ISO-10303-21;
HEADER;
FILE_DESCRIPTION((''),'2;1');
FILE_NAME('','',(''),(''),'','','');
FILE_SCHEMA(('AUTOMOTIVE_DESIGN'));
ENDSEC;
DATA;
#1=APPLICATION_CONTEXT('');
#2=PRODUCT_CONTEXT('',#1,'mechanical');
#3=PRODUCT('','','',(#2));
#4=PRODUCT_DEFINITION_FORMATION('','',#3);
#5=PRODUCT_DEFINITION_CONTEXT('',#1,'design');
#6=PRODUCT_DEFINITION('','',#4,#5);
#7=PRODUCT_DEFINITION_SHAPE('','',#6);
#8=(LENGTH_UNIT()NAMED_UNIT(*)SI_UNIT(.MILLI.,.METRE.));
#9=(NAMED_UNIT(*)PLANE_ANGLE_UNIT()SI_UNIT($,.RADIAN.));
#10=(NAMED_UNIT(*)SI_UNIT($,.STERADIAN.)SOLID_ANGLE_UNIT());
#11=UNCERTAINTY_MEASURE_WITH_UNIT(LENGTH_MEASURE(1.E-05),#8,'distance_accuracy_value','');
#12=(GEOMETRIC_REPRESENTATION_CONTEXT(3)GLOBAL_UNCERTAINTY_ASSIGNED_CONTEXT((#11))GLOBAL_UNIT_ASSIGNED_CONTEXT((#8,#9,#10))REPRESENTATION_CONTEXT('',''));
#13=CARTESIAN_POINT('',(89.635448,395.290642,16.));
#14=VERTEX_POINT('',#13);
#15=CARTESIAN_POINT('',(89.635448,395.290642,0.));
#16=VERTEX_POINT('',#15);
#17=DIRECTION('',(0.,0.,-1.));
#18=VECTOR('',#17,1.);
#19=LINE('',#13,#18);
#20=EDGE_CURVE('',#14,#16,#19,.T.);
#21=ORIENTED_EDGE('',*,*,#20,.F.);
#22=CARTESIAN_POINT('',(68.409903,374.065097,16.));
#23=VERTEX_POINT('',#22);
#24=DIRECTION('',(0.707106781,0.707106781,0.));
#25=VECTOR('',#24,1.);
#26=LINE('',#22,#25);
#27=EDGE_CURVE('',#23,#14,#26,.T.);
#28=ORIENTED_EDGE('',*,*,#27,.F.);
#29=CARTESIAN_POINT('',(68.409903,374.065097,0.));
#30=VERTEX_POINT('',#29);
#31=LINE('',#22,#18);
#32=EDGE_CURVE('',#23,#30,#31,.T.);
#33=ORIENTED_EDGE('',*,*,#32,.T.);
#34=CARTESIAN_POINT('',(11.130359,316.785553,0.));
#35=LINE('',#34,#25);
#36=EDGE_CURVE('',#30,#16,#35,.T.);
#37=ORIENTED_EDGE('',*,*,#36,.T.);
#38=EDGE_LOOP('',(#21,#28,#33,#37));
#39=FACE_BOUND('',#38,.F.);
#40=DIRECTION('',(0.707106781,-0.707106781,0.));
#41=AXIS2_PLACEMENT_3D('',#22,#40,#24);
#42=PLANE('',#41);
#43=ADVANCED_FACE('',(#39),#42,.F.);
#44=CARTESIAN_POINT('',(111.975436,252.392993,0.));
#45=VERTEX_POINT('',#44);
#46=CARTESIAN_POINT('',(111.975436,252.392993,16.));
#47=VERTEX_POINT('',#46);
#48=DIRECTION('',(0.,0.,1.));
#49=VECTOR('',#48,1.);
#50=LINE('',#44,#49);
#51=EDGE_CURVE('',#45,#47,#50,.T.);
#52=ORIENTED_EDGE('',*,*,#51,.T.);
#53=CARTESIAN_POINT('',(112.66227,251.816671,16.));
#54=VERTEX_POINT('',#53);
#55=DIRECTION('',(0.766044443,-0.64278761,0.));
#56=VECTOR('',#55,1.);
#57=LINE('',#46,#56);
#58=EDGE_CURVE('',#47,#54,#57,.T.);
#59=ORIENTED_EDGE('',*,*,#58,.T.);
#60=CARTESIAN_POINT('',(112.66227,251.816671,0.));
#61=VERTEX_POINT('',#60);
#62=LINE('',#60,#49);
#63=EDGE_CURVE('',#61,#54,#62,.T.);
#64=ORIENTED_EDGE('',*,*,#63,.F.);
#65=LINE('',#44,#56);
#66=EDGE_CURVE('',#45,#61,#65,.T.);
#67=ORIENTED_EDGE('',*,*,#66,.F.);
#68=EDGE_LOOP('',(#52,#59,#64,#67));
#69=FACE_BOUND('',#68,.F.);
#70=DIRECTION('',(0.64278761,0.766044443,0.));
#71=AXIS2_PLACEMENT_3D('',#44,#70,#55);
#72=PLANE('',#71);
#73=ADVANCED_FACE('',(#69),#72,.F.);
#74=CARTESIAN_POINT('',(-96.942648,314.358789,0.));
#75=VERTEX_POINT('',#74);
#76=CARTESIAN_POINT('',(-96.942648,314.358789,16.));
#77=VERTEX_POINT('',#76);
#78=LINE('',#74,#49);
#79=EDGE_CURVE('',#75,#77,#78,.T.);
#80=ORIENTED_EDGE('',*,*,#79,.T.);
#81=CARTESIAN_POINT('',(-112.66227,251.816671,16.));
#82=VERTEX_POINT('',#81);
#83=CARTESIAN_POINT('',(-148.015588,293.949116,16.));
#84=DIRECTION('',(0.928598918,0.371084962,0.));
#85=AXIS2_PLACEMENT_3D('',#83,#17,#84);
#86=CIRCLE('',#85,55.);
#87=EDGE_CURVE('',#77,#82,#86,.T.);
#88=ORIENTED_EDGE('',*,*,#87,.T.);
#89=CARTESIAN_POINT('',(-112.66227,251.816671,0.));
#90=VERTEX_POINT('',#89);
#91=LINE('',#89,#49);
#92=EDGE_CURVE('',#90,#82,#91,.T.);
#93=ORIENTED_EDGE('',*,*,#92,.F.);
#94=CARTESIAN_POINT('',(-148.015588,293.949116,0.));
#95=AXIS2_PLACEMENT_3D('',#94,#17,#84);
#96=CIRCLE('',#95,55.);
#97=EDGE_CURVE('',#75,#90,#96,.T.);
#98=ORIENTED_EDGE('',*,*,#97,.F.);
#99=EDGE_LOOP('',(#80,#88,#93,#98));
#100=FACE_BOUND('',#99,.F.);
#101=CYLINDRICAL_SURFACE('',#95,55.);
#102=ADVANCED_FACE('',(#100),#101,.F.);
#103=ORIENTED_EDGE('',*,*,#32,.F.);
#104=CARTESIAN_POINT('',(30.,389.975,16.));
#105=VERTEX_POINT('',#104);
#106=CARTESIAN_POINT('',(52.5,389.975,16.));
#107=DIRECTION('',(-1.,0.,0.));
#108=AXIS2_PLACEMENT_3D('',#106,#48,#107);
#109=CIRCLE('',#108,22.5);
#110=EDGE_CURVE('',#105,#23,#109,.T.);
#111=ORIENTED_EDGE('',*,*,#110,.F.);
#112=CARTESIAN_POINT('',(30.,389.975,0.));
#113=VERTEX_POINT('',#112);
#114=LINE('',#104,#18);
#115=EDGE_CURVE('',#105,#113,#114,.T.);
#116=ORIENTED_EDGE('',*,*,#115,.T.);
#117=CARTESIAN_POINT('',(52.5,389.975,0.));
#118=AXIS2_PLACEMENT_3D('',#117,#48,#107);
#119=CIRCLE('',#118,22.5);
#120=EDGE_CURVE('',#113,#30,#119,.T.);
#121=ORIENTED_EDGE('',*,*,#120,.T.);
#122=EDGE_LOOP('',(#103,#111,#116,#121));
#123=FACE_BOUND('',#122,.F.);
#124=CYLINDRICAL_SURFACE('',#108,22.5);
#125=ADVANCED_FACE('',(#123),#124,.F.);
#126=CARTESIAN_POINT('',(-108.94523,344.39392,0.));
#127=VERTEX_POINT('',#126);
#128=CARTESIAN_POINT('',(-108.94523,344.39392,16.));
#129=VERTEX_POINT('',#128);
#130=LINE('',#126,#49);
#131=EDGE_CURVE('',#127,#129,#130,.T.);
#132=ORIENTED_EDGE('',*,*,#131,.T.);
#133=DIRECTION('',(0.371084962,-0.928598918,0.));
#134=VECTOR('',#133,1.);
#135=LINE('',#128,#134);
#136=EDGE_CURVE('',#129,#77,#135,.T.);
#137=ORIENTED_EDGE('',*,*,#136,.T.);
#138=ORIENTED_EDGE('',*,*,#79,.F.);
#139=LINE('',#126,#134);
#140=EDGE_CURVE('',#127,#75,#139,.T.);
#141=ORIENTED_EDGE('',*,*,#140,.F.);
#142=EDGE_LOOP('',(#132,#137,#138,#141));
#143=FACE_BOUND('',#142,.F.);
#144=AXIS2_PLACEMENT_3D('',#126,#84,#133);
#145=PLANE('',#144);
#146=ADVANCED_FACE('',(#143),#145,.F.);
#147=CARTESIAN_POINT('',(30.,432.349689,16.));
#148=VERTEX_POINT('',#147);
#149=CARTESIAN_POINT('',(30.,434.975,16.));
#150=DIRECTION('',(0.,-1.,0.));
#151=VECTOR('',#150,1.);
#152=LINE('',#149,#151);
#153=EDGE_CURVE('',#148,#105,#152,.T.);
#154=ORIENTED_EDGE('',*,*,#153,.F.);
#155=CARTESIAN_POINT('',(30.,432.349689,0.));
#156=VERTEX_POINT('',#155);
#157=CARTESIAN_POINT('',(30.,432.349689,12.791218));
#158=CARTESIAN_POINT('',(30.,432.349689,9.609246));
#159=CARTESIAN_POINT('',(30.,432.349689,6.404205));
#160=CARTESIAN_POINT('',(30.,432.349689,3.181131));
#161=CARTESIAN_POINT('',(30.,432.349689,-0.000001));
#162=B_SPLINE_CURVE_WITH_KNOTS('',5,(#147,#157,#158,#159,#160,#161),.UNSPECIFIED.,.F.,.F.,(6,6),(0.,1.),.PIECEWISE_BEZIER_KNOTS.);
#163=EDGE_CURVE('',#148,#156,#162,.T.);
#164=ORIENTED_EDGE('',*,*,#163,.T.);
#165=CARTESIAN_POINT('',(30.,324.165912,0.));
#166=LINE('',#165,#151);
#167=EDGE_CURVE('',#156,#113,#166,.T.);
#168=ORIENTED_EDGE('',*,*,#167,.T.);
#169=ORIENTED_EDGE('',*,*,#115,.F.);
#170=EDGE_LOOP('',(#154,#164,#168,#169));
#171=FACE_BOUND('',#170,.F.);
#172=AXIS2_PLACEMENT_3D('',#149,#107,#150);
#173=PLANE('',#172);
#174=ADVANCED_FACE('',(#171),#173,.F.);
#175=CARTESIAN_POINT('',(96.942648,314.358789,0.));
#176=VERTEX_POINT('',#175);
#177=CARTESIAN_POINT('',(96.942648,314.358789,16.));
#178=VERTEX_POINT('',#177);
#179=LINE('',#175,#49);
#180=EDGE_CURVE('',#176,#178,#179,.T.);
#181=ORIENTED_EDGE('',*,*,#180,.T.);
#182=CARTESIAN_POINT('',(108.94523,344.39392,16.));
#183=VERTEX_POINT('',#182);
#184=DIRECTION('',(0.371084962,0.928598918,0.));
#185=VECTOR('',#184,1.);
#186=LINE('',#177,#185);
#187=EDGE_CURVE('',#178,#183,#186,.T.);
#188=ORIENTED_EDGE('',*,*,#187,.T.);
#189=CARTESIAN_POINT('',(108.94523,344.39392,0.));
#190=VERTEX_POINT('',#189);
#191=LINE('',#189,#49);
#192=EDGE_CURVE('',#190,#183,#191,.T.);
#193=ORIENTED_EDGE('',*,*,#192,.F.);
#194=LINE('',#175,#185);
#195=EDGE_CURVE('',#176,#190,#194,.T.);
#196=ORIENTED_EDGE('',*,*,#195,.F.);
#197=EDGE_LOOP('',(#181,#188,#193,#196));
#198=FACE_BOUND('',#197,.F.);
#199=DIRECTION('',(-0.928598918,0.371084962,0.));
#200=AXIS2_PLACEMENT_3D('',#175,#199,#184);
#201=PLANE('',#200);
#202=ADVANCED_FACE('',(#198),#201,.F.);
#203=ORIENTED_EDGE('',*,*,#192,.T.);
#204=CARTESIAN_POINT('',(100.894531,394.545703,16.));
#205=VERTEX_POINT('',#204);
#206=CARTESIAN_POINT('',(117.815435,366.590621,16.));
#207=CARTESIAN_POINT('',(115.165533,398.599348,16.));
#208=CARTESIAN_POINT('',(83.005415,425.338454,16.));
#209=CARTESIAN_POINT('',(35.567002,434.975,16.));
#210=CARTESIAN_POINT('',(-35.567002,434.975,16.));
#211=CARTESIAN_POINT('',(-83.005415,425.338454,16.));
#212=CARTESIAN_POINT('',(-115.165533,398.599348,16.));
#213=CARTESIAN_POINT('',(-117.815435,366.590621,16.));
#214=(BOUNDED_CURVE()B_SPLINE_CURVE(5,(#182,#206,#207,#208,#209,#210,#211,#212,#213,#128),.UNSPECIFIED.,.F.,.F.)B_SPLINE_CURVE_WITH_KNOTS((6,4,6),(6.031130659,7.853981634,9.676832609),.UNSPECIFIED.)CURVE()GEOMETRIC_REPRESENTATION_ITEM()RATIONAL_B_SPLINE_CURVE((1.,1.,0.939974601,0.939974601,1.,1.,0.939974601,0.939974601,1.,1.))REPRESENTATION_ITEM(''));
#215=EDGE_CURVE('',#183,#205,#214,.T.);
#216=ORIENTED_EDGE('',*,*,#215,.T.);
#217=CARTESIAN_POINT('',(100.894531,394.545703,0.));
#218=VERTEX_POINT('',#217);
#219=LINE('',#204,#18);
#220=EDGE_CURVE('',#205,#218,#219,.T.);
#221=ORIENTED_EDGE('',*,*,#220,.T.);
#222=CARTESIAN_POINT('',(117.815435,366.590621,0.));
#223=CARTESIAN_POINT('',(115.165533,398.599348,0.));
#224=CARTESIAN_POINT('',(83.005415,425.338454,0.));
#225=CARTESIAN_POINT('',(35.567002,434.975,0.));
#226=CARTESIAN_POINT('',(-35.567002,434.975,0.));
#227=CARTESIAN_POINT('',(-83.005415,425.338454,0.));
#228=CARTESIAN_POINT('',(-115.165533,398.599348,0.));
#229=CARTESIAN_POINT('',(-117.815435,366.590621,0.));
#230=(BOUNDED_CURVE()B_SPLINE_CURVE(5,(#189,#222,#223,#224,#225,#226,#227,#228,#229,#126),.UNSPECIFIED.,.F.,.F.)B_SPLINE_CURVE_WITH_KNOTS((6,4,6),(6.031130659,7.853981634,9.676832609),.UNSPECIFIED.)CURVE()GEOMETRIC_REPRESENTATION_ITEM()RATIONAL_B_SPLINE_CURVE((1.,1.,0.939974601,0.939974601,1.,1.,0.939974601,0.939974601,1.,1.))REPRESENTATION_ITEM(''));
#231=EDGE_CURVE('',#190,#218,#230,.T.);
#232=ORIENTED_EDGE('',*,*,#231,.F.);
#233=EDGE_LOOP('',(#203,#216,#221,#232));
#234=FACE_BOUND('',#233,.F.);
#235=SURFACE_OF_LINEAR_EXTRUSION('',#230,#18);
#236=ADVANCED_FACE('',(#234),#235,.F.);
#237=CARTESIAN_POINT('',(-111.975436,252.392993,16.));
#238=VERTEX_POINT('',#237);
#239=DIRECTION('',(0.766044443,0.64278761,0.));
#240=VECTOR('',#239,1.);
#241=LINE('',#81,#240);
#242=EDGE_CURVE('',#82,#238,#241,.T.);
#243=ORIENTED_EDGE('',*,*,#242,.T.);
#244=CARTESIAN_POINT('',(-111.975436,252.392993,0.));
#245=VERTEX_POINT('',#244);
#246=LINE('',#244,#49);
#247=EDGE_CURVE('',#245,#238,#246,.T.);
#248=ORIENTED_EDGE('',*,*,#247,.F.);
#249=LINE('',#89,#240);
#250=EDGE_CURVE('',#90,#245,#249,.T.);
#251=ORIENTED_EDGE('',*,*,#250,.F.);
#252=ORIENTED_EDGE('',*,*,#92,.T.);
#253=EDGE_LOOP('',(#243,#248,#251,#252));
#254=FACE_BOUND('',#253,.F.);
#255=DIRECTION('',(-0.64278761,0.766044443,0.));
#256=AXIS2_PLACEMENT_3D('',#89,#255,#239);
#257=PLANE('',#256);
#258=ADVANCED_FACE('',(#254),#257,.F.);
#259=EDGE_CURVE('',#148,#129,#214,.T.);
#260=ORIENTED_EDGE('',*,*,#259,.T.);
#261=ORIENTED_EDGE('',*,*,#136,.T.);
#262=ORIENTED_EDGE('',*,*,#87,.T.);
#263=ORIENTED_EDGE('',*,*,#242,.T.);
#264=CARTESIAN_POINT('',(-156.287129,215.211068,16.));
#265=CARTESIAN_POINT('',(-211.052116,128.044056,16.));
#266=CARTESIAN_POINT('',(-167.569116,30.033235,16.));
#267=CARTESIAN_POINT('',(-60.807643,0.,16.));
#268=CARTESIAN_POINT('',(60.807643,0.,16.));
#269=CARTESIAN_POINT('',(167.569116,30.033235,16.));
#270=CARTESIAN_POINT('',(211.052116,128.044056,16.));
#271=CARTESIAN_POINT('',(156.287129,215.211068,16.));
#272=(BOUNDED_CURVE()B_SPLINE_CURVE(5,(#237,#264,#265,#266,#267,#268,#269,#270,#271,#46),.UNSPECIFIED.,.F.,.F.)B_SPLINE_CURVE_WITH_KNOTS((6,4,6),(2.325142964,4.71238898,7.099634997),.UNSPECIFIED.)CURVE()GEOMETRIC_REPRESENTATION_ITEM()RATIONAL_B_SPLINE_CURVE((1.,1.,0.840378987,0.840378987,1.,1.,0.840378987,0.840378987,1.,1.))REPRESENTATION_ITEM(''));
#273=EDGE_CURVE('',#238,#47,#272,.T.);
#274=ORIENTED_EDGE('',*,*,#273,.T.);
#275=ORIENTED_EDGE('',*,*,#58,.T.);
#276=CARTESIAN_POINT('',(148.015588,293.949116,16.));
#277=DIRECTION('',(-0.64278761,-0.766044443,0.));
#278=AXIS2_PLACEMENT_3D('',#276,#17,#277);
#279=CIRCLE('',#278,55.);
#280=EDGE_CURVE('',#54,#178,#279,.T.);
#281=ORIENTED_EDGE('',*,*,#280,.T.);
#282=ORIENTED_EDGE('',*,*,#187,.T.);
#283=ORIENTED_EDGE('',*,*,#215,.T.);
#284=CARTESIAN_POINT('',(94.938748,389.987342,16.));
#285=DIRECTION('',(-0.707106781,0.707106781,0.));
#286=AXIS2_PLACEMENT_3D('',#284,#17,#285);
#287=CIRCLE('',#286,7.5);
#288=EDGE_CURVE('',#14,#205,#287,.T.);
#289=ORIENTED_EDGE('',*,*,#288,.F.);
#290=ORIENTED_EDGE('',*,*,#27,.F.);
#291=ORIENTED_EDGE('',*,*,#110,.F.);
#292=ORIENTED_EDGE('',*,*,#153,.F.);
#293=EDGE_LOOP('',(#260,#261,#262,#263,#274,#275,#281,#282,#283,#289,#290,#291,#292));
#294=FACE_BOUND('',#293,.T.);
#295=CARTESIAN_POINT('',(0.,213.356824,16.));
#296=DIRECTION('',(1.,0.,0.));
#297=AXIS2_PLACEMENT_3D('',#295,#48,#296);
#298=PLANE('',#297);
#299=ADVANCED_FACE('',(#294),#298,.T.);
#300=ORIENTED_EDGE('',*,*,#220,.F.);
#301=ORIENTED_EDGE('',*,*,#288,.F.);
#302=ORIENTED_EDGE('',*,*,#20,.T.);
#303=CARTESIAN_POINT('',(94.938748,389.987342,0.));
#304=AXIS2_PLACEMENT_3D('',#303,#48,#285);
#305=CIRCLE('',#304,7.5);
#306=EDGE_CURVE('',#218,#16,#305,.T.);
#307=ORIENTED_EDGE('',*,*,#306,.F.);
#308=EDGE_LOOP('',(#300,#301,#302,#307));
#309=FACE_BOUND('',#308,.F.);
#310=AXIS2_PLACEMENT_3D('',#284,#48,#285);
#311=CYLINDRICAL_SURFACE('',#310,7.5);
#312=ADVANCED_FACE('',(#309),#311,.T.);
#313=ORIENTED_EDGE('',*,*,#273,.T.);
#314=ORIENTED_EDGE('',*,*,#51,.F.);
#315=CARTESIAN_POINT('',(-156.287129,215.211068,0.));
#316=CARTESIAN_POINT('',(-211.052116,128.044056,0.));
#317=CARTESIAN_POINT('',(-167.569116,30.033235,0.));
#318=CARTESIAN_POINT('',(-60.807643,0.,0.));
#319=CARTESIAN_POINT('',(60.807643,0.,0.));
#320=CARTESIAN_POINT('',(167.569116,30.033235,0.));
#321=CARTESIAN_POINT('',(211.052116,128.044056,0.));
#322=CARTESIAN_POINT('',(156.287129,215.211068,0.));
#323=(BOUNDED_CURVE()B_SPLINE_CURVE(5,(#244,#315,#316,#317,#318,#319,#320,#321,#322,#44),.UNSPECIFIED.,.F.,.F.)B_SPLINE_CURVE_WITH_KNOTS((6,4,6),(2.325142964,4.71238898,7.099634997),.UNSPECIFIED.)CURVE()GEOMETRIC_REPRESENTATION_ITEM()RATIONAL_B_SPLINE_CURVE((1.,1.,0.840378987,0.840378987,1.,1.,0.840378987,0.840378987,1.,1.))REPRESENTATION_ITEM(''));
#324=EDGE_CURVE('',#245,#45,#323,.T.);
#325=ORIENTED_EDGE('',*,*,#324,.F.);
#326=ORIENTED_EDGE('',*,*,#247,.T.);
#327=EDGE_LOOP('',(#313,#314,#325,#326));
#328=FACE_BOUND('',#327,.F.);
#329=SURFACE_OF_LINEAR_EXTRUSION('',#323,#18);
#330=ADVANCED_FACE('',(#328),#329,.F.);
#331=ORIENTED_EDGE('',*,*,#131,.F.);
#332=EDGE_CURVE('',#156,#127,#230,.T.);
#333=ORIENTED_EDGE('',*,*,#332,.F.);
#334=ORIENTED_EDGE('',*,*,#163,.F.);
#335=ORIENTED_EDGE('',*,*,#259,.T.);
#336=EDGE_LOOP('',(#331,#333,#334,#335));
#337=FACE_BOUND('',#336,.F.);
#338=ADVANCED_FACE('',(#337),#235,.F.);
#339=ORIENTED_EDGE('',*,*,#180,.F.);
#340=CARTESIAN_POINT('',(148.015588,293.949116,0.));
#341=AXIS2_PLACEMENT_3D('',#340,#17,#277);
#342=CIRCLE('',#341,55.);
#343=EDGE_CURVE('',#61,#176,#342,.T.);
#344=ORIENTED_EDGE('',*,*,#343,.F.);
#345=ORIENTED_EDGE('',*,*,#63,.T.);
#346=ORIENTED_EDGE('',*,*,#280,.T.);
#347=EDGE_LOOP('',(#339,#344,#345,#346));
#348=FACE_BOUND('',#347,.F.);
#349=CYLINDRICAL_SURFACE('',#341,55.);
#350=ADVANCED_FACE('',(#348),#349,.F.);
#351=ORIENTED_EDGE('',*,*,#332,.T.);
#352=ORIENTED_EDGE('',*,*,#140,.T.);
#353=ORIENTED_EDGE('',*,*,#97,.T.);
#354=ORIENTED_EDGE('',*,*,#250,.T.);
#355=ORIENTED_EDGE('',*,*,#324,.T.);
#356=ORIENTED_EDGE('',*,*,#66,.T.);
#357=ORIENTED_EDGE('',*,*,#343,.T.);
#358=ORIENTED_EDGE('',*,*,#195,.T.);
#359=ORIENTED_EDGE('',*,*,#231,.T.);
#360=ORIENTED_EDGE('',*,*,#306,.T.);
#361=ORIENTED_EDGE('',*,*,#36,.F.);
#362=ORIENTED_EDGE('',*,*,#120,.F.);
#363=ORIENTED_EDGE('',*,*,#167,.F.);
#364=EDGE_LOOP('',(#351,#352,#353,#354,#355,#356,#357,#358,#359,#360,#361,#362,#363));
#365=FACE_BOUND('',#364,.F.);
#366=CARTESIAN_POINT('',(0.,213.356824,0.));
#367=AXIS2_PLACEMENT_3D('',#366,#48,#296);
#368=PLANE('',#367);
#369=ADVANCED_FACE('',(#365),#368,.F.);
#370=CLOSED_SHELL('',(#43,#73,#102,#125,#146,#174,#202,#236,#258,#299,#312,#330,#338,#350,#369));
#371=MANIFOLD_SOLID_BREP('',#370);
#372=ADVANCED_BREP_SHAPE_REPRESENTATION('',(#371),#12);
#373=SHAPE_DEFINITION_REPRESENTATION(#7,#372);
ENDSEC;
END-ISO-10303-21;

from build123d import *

# Parameters (mm, degrees)
F1_DEPTH = 16
F3_DEPTH = 16.0010001


with BuildPart() as f1:
    # F0 (on Top) → F1 (new body)
    with BuildSketch(Plane.XY):
        with BuildLine():
            Line((-112.66226952, 251.8166712858), (-111.9754360589, 252.3929929896))
            add(Edge.make_bspline(
                [(-111.9754360589, 252.3929929896), (-412.7656921999, 0), (0, 0)],
                knots=[2.3251429637, 2.3251429637, 2.3251429637, 4.7123889804, 4.7123889804, 4.7123889804], degree=2, weights=[1, 0.3682939518, 1]))
            add(Edge.make_bspline(
                [(0, 0), (412.7656921999, 0), (111.9754360589, 252.3929929896)],
                knots=[4.7123889804, 4.7123889804, 4.7123889804, 7.0996349971, 7.0996349971, 7.0996349971], degree=2, weights=[1, 0.3682939518, 1]))
            Line((111.9754360589, 252.3929929896), (112.66226952, 251.8166712858))
            ThreePointArc((112.66226952, 251.8166712858), (94.6746687559, 280.5421649016), (96.9426475533, 314.3587885784))
            Line((96.9426475533, 314.3587885784), (108.9452304972, 344.3939198079))
            add(Edge.make_bspline(
                [(108.9452304972, 344.3939198079), (145.1430722796, 434.975), (0, 434.975)],
                knots=[6.0311306592, 6.0311306592, 6.0311306592, 7.853981634, 7.853981634, 7.853981634], degree=2, weights=[1, 0.6126196987, 1]))
            add(Edge.make_bspline(
                [(0, 434.975), (-145.1430722796, 434.975), (-108.9452304972, 344.3939198079)],
                knots=[4.7123889804, 4.7123889804, 4.7123889804, 6.5352399551, 6.5352399551, 6.5352399551], degree=2, weights=[1, 0.6126196987, 1]))
            Line((-108.9452304972, 344.3939198079), (-96.9426475533, 314.3587885784))
            ThreePointArc((-96.9426475533, 314.3587885784), (-94.6746687559, 280.5421649016), (-112.66226952, 251.8166712858))
        make_face()
    extrude(amount=F1_DEPTH)

    # F2 (on face) → F3 (cut, through all)
    with BuildSketch(Plane.XY.offset(16)):
        with BuildLine():
            Line((69.951270473, 434.975), (30, 434.975))
            Line((30, 434.975), (30, 389.975))
            ThreePointArc((30, 389.975), (43.8896227718, 369.1877105185), (68.4099025767, 374.0650974233))
            Line((68.4099025767, 374.0650974233), (89.6354476377, 395.2906424843))
            ThreePointArc((89.6354476377, 395.2906424843), (95.4338918596, 397.4709793138), (100.894531022, 394.545702571))
            Line((100.894531022, 394.545702571), (69.951270473, 434.975))
        make_face()
    extrude(amount=-F3_DEPTH, mode=Mode.SUBTRACT)


solid = f1.part
